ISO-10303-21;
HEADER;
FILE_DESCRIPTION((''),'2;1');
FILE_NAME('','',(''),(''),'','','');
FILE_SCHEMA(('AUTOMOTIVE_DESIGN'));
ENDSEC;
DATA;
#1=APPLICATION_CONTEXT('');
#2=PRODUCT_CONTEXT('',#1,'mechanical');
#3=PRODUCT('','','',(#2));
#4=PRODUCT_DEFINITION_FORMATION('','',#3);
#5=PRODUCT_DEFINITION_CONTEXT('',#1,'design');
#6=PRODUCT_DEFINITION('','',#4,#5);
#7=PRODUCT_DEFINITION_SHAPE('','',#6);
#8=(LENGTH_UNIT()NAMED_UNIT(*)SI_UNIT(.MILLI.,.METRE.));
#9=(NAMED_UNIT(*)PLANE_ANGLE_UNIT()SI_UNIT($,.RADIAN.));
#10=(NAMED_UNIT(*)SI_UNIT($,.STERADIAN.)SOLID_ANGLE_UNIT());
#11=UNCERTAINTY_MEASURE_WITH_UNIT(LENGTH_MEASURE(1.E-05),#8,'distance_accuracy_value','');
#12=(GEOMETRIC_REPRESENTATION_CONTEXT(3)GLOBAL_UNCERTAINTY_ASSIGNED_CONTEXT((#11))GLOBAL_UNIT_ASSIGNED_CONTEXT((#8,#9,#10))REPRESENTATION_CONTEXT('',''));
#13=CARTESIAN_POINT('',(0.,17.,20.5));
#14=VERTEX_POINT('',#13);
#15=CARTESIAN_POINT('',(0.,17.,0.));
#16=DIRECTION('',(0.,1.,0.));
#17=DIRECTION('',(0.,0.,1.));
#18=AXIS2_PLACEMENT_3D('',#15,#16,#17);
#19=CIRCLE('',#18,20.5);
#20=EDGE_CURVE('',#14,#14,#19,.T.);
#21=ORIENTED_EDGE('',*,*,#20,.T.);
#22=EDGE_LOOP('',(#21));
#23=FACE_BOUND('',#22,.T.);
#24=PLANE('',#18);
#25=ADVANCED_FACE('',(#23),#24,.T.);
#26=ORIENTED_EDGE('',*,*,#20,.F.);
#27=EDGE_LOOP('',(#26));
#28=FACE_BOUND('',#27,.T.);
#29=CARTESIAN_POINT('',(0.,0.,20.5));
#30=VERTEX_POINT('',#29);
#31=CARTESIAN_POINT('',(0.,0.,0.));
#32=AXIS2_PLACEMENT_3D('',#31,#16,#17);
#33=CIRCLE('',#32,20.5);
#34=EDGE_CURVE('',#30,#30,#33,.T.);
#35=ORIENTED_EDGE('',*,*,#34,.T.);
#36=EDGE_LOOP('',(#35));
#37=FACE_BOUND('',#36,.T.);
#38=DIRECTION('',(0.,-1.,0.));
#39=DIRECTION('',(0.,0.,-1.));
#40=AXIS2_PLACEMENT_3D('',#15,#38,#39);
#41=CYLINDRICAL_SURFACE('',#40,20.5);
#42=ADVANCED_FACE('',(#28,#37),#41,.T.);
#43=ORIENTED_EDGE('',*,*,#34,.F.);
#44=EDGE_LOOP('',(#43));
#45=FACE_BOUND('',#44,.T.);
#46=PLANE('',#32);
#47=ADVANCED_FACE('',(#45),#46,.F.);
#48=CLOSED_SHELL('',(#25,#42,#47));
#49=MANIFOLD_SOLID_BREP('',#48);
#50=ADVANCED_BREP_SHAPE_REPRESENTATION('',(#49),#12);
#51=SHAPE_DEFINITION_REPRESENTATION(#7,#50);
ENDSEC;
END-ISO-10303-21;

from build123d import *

# Parameters (mm, degrees)
SKETCH1_R           = 20.5
BOSS_EXTRUDE1_DEPTH = 17


with BuildPart() as part:
    # Sketch1 → Boss-Extrude1 (new body)
    with BuildSketch(Plane(origin=(0, 0, 0), x_dir=(1, 0, 0), z_dir=(0, 1, 0))):
        Circle(SKETCH1_R)
    extrude(amount=BOSS_EXTRUDE1_DEPTH)


solid = part.part
